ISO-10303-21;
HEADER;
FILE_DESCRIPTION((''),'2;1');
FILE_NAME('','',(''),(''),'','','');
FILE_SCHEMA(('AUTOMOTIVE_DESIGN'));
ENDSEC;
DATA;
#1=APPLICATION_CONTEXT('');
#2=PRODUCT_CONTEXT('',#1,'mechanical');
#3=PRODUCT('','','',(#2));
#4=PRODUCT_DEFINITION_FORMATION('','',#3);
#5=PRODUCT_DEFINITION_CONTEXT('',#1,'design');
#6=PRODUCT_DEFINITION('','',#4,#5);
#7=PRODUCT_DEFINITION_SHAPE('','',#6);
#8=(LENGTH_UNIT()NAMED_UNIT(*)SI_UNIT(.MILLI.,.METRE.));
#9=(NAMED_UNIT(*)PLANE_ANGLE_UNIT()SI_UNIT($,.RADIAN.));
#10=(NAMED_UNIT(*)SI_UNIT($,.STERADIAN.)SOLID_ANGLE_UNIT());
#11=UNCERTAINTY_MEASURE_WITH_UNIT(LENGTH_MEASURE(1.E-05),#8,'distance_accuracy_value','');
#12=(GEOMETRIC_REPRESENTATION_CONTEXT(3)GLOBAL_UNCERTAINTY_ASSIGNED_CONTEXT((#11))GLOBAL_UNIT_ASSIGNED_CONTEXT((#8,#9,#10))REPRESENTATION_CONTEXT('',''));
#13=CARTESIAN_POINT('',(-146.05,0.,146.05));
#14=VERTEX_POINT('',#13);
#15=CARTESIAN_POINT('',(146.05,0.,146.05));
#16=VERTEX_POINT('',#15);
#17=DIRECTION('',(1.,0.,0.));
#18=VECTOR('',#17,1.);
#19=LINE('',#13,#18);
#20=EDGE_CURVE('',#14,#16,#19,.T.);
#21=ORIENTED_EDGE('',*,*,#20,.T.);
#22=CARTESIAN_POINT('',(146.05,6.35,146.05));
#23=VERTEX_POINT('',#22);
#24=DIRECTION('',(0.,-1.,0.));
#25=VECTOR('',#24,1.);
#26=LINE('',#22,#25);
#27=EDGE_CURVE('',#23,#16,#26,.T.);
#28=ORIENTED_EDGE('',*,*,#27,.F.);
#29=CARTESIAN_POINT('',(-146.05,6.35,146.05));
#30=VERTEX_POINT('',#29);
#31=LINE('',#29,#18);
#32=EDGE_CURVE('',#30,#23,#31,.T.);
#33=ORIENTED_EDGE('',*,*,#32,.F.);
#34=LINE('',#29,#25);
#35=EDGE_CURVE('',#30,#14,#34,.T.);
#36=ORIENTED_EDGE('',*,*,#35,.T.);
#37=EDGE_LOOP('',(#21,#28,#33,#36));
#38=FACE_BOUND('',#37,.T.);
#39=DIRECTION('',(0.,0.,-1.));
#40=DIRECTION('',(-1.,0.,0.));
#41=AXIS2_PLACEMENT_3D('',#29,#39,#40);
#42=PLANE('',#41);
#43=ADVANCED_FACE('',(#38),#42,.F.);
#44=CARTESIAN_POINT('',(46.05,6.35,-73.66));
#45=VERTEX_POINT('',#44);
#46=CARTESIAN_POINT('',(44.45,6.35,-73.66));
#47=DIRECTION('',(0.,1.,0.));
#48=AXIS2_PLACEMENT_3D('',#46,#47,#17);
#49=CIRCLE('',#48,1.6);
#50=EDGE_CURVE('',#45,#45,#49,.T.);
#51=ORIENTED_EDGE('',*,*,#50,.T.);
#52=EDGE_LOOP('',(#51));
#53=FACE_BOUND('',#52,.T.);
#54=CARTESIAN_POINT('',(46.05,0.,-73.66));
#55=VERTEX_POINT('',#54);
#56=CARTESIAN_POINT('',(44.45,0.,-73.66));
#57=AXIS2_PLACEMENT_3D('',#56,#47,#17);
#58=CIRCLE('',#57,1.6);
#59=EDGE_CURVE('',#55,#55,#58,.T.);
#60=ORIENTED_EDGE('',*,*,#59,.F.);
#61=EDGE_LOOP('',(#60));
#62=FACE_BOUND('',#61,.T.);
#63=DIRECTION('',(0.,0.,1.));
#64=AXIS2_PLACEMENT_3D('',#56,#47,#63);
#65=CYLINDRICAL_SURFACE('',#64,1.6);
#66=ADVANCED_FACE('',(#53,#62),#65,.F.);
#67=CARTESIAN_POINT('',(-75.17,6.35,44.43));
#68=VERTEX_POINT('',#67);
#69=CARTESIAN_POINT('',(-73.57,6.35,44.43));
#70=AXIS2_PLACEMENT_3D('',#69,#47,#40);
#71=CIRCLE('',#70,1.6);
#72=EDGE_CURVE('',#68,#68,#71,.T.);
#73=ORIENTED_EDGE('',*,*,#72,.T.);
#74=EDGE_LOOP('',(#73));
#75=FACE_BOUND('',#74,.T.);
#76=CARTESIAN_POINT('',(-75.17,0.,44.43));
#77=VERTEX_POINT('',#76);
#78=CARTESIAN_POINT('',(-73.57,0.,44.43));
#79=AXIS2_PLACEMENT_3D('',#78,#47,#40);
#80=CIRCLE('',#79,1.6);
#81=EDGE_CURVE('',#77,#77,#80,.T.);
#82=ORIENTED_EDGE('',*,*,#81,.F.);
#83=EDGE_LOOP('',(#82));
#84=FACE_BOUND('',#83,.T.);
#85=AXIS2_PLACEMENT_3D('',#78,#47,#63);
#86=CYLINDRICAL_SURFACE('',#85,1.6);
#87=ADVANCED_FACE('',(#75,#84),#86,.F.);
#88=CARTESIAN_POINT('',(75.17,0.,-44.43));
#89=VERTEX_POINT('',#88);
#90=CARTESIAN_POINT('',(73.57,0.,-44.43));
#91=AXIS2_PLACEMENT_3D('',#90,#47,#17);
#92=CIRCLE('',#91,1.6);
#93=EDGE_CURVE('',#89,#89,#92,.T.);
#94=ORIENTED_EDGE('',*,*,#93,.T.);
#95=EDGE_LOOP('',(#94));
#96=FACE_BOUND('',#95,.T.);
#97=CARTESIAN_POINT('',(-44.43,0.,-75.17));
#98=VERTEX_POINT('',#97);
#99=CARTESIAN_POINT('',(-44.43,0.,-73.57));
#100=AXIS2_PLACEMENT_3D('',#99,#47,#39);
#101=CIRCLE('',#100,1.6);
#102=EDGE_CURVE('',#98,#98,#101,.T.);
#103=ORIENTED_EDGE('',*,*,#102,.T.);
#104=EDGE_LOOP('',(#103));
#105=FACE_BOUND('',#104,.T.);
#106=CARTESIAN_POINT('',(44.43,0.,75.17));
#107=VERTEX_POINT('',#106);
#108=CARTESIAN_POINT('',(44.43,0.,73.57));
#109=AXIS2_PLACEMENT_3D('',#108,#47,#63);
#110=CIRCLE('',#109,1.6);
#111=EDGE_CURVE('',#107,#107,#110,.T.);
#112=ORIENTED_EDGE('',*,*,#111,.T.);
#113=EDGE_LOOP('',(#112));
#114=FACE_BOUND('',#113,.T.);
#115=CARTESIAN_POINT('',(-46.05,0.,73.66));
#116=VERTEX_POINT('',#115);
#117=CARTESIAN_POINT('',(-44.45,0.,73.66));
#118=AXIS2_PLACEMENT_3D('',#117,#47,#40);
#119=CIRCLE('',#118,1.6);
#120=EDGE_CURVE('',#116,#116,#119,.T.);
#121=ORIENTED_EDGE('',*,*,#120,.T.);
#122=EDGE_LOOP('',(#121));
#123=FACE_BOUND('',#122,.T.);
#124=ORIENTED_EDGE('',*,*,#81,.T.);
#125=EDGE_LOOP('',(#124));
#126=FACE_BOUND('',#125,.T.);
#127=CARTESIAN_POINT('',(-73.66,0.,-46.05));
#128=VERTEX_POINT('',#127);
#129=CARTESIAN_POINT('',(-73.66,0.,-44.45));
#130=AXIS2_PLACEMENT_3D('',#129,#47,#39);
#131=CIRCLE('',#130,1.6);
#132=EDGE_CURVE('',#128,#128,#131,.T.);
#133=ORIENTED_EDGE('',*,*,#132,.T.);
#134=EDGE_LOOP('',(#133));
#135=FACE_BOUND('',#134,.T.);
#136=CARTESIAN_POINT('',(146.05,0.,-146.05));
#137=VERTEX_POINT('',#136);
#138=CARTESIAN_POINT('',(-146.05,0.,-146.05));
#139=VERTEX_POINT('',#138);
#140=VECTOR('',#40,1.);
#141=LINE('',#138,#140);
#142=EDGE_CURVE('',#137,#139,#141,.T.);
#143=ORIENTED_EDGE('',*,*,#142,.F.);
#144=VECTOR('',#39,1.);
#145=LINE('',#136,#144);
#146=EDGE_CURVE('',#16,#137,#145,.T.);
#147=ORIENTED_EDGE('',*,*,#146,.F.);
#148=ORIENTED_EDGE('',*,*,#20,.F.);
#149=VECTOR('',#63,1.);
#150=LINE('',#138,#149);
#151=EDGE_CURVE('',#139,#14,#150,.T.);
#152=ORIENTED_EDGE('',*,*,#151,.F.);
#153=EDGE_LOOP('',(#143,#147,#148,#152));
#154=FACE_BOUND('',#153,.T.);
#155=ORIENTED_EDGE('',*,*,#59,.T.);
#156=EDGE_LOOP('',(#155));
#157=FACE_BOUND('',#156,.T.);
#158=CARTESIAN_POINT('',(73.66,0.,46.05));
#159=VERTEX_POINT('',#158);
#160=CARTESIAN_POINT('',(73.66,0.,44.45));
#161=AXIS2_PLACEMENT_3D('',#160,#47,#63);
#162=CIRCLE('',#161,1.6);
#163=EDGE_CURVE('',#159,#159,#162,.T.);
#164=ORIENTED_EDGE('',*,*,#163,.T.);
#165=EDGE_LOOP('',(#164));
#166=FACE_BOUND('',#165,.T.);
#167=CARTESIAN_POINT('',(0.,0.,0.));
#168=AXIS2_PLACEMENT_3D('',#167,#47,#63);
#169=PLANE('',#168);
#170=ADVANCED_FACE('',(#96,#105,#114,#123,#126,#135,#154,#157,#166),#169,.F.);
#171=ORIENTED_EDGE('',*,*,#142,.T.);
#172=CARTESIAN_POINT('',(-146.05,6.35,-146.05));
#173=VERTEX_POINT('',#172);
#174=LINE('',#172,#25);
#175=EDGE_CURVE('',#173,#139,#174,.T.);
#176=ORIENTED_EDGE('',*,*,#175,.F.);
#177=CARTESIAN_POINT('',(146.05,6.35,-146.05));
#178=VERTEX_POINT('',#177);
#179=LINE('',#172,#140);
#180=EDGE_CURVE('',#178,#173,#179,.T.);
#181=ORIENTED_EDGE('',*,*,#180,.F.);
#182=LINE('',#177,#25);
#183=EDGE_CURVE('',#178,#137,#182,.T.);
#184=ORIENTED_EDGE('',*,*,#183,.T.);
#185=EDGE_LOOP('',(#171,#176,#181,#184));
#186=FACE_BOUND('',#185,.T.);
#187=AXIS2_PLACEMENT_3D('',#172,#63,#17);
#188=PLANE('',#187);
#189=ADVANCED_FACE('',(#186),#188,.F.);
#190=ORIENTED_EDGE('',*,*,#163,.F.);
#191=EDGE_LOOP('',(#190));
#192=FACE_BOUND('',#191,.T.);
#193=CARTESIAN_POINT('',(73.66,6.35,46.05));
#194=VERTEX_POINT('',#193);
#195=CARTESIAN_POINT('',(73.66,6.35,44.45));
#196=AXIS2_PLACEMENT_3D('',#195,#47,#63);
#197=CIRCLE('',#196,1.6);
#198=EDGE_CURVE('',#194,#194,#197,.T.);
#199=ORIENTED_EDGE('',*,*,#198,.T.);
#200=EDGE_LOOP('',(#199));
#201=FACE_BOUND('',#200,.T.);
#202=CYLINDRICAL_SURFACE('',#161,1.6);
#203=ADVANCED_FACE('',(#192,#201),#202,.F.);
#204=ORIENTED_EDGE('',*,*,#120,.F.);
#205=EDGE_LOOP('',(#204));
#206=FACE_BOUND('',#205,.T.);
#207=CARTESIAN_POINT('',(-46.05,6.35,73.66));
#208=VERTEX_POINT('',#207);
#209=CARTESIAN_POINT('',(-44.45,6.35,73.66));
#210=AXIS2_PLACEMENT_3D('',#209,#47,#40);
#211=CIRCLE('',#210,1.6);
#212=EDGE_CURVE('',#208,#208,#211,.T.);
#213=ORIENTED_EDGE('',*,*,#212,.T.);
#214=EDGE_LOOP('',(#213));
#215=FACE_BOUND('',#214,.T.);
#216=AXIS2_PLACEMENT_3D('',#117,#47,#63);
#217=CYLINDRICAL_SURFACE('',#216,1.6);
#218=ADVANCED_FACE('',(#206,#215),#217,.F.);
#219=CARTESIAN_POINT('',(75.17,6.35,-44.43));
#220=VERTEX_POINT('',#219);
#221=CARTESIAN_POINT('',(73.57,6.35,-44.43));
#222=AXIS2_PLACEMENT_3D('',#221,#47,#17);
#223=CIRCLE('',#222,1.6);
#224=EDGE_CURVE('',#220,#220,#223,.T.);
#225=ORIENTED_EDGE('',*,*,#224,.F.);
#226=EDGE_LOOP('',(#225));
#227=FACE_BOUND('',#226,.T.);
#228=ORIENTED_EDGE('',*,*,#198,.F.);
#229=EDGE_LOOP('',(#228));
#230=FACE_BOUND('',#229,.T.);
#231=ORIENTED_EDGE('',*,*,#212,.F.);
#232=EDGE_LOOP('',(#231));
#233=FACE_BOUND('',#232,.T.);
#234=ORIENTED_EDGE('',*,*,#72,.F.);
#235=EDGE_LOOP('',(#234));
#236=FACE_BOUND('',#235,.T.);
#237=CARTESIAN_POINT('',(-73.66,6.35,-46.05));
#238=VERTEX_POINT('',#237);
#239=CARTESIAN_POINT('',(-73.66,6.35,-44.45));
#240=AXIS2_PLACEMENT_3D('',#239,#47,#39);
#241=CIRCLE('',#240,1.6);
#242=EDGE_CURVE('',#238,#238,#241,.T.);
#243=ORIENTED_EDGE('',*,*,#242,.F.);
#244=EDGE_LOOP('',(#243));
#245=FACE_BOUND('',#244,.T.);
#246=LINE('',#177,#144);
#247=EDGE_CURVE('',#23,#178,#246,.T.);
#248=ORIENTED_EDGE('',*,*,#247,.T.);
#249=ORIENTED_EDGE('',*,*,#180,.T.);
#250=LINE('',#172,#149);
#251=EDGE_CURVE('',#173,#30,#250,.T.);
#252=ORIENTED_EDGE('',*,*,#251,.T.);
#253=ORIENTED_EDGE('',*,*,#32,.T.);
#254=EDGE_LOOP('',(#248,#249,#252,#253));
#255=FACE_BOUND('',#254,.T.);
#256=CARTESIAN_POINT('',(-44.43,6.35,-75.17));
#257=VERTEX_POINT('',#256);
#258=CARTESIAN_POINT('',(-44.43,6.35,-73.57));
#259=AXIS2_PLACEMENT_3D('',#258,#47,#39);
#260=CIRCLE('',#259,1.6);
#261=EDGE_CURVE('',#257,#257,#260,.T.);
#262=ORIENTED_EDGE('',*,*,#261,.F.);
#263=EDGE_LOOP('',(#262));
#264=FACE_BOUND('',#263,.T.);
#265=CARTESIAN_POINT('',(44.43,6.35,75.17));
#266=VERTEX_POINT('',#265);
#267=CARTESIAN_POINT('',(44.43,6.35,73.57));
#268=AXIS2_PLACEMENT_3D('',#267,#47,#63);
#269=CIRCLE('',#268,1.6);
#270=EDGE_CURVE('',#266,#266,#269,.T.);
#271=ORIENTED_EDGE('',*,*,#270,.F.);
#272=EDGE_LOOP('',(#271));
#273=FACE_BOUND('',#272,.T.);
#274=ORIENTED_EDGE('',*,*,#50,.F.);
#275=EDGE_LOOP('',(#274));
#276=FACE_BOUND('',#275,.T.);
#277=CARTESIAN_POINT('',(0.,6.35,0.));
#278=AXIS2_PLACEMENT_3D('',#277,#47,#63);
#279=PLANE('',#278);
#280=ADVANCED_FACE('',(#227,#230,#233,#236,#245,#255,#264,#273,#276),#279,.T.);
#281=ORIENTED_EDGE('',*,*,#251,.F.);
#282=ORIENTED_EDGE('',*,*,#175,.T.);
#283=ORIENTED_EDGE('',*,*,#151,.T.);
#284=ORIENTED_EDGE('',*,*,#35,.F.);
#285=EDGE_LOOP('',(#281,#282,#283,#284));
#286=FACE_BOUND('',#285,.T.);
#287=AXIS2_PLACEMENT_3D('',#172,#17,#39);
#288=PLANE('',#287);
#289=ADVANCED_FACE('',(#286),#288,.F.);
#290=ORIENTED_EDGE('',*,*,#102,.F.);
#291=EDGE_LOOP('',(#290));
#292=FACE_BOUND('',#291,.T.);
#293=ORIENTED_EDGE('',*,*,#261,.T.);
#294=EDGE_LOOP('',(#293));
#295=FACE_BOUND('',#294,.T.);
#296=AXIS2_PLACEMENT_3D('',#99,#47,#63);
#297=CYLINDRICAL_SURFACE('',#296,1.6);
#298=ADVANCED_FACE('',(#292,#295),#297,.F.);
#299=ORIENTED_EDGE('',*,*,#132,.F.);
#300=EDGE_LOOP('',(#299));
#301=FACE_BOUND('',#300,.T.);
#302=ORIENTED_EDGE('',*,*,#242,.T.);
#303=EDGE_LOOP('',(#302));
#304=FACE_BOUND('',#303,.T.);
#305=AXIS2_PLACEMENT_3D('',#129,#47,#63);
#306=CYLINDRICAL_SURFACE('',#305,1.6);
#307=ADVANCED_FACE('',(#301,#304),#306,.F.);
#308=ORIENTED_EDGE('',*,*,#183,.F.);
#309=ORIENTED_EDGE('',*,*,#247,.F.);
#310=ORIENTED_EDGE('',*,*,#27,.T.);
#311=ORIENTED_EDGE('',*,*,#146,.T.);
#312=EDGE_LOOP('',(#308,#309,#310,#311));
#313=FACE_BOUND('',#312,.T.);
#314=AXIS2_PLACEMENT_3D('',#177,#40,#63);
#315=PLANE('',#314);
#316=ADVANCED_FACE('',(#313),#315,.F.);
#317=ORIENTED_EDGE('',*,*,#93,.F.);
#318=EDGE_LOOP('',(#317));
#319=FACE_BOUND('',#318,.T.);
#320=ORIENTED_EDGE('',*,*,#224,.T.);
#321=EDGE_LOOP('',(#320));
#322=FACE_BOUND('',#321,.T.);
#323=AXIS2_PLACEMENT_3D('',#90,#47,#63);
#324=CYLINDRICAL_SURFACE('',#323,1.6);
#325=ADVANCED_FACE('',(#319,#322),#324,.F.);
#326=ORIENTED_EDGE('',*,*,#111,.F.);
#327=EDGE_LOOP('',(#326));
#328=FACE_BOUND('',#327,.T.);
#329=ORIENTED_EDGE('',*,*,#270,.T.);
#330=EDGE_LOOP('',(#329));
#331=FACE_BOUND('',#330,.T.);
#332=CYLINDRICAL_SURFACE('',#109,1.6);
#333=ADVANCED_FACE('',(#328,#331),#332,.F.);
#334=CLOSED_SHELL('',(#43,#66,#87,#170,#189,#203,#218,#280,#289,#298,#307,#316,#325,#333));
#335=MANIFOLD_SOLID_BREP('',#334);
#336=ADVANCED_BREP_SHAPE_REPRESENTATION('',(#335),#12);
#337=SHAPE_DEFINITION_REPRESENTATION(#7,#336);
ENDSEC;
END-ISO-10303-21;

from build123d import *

# Parameters (mm, degrees)
SKETCH1_W           = 292.1
SKETCH1_H           = 292.1
BOSS_EXTRUDE1_DEPTH = 6.35
SKETCH2_R           = 1.599999975
CUT_EXTRUDE1_DEPTH  = 207.64347921
CIRPATTERN1_COUNT   = 4


with BuildPart() as part:
    # Sketch1 → Boss-Extrude1 (new body)
    with BuildSketch(Plane(origin=(0, 0, 0), x_dir=(1, 0, 0), z_dir=(0, 1, 0))):
        Rectangle(SKETCH1_W, SKETCH1_H)
    extrude(amount=BOSS_EXTRUDE1_DEPTH)

    # Sketch2 → Cut-Extrude1 (cut, through all)
    with BuildSketch(Plane(origin=(0, 6.35, 0), x_dir=(1, 0, 0), z_dir=(0, 1, 0))):
        with Locations((73.66, -44.45)):
            Circle(SKETCH2_R)
        with Locations((44.43000004, -73.569999926)):
            Circle(SKETCH2_R)
    cut_extrude1 = extrude(amount=-CUT_EXTRUDE1_DEPTH, mode=Mode.SUBTRACT)

    # CirPattern1: Cut-Extrude1 ×4 about axis
    cirpattern1_axis = Axis((0, 6.35, 0), (0, 1, 0))
    for i in range(1, CIRPATTERN1_COUNT):
        add(cut_extrude1.rotate(cirpattern1_axis, i * 360 / CIRPATTERN1_COUNT), mode=Mode.SUBTRACT)


solid = part.part
